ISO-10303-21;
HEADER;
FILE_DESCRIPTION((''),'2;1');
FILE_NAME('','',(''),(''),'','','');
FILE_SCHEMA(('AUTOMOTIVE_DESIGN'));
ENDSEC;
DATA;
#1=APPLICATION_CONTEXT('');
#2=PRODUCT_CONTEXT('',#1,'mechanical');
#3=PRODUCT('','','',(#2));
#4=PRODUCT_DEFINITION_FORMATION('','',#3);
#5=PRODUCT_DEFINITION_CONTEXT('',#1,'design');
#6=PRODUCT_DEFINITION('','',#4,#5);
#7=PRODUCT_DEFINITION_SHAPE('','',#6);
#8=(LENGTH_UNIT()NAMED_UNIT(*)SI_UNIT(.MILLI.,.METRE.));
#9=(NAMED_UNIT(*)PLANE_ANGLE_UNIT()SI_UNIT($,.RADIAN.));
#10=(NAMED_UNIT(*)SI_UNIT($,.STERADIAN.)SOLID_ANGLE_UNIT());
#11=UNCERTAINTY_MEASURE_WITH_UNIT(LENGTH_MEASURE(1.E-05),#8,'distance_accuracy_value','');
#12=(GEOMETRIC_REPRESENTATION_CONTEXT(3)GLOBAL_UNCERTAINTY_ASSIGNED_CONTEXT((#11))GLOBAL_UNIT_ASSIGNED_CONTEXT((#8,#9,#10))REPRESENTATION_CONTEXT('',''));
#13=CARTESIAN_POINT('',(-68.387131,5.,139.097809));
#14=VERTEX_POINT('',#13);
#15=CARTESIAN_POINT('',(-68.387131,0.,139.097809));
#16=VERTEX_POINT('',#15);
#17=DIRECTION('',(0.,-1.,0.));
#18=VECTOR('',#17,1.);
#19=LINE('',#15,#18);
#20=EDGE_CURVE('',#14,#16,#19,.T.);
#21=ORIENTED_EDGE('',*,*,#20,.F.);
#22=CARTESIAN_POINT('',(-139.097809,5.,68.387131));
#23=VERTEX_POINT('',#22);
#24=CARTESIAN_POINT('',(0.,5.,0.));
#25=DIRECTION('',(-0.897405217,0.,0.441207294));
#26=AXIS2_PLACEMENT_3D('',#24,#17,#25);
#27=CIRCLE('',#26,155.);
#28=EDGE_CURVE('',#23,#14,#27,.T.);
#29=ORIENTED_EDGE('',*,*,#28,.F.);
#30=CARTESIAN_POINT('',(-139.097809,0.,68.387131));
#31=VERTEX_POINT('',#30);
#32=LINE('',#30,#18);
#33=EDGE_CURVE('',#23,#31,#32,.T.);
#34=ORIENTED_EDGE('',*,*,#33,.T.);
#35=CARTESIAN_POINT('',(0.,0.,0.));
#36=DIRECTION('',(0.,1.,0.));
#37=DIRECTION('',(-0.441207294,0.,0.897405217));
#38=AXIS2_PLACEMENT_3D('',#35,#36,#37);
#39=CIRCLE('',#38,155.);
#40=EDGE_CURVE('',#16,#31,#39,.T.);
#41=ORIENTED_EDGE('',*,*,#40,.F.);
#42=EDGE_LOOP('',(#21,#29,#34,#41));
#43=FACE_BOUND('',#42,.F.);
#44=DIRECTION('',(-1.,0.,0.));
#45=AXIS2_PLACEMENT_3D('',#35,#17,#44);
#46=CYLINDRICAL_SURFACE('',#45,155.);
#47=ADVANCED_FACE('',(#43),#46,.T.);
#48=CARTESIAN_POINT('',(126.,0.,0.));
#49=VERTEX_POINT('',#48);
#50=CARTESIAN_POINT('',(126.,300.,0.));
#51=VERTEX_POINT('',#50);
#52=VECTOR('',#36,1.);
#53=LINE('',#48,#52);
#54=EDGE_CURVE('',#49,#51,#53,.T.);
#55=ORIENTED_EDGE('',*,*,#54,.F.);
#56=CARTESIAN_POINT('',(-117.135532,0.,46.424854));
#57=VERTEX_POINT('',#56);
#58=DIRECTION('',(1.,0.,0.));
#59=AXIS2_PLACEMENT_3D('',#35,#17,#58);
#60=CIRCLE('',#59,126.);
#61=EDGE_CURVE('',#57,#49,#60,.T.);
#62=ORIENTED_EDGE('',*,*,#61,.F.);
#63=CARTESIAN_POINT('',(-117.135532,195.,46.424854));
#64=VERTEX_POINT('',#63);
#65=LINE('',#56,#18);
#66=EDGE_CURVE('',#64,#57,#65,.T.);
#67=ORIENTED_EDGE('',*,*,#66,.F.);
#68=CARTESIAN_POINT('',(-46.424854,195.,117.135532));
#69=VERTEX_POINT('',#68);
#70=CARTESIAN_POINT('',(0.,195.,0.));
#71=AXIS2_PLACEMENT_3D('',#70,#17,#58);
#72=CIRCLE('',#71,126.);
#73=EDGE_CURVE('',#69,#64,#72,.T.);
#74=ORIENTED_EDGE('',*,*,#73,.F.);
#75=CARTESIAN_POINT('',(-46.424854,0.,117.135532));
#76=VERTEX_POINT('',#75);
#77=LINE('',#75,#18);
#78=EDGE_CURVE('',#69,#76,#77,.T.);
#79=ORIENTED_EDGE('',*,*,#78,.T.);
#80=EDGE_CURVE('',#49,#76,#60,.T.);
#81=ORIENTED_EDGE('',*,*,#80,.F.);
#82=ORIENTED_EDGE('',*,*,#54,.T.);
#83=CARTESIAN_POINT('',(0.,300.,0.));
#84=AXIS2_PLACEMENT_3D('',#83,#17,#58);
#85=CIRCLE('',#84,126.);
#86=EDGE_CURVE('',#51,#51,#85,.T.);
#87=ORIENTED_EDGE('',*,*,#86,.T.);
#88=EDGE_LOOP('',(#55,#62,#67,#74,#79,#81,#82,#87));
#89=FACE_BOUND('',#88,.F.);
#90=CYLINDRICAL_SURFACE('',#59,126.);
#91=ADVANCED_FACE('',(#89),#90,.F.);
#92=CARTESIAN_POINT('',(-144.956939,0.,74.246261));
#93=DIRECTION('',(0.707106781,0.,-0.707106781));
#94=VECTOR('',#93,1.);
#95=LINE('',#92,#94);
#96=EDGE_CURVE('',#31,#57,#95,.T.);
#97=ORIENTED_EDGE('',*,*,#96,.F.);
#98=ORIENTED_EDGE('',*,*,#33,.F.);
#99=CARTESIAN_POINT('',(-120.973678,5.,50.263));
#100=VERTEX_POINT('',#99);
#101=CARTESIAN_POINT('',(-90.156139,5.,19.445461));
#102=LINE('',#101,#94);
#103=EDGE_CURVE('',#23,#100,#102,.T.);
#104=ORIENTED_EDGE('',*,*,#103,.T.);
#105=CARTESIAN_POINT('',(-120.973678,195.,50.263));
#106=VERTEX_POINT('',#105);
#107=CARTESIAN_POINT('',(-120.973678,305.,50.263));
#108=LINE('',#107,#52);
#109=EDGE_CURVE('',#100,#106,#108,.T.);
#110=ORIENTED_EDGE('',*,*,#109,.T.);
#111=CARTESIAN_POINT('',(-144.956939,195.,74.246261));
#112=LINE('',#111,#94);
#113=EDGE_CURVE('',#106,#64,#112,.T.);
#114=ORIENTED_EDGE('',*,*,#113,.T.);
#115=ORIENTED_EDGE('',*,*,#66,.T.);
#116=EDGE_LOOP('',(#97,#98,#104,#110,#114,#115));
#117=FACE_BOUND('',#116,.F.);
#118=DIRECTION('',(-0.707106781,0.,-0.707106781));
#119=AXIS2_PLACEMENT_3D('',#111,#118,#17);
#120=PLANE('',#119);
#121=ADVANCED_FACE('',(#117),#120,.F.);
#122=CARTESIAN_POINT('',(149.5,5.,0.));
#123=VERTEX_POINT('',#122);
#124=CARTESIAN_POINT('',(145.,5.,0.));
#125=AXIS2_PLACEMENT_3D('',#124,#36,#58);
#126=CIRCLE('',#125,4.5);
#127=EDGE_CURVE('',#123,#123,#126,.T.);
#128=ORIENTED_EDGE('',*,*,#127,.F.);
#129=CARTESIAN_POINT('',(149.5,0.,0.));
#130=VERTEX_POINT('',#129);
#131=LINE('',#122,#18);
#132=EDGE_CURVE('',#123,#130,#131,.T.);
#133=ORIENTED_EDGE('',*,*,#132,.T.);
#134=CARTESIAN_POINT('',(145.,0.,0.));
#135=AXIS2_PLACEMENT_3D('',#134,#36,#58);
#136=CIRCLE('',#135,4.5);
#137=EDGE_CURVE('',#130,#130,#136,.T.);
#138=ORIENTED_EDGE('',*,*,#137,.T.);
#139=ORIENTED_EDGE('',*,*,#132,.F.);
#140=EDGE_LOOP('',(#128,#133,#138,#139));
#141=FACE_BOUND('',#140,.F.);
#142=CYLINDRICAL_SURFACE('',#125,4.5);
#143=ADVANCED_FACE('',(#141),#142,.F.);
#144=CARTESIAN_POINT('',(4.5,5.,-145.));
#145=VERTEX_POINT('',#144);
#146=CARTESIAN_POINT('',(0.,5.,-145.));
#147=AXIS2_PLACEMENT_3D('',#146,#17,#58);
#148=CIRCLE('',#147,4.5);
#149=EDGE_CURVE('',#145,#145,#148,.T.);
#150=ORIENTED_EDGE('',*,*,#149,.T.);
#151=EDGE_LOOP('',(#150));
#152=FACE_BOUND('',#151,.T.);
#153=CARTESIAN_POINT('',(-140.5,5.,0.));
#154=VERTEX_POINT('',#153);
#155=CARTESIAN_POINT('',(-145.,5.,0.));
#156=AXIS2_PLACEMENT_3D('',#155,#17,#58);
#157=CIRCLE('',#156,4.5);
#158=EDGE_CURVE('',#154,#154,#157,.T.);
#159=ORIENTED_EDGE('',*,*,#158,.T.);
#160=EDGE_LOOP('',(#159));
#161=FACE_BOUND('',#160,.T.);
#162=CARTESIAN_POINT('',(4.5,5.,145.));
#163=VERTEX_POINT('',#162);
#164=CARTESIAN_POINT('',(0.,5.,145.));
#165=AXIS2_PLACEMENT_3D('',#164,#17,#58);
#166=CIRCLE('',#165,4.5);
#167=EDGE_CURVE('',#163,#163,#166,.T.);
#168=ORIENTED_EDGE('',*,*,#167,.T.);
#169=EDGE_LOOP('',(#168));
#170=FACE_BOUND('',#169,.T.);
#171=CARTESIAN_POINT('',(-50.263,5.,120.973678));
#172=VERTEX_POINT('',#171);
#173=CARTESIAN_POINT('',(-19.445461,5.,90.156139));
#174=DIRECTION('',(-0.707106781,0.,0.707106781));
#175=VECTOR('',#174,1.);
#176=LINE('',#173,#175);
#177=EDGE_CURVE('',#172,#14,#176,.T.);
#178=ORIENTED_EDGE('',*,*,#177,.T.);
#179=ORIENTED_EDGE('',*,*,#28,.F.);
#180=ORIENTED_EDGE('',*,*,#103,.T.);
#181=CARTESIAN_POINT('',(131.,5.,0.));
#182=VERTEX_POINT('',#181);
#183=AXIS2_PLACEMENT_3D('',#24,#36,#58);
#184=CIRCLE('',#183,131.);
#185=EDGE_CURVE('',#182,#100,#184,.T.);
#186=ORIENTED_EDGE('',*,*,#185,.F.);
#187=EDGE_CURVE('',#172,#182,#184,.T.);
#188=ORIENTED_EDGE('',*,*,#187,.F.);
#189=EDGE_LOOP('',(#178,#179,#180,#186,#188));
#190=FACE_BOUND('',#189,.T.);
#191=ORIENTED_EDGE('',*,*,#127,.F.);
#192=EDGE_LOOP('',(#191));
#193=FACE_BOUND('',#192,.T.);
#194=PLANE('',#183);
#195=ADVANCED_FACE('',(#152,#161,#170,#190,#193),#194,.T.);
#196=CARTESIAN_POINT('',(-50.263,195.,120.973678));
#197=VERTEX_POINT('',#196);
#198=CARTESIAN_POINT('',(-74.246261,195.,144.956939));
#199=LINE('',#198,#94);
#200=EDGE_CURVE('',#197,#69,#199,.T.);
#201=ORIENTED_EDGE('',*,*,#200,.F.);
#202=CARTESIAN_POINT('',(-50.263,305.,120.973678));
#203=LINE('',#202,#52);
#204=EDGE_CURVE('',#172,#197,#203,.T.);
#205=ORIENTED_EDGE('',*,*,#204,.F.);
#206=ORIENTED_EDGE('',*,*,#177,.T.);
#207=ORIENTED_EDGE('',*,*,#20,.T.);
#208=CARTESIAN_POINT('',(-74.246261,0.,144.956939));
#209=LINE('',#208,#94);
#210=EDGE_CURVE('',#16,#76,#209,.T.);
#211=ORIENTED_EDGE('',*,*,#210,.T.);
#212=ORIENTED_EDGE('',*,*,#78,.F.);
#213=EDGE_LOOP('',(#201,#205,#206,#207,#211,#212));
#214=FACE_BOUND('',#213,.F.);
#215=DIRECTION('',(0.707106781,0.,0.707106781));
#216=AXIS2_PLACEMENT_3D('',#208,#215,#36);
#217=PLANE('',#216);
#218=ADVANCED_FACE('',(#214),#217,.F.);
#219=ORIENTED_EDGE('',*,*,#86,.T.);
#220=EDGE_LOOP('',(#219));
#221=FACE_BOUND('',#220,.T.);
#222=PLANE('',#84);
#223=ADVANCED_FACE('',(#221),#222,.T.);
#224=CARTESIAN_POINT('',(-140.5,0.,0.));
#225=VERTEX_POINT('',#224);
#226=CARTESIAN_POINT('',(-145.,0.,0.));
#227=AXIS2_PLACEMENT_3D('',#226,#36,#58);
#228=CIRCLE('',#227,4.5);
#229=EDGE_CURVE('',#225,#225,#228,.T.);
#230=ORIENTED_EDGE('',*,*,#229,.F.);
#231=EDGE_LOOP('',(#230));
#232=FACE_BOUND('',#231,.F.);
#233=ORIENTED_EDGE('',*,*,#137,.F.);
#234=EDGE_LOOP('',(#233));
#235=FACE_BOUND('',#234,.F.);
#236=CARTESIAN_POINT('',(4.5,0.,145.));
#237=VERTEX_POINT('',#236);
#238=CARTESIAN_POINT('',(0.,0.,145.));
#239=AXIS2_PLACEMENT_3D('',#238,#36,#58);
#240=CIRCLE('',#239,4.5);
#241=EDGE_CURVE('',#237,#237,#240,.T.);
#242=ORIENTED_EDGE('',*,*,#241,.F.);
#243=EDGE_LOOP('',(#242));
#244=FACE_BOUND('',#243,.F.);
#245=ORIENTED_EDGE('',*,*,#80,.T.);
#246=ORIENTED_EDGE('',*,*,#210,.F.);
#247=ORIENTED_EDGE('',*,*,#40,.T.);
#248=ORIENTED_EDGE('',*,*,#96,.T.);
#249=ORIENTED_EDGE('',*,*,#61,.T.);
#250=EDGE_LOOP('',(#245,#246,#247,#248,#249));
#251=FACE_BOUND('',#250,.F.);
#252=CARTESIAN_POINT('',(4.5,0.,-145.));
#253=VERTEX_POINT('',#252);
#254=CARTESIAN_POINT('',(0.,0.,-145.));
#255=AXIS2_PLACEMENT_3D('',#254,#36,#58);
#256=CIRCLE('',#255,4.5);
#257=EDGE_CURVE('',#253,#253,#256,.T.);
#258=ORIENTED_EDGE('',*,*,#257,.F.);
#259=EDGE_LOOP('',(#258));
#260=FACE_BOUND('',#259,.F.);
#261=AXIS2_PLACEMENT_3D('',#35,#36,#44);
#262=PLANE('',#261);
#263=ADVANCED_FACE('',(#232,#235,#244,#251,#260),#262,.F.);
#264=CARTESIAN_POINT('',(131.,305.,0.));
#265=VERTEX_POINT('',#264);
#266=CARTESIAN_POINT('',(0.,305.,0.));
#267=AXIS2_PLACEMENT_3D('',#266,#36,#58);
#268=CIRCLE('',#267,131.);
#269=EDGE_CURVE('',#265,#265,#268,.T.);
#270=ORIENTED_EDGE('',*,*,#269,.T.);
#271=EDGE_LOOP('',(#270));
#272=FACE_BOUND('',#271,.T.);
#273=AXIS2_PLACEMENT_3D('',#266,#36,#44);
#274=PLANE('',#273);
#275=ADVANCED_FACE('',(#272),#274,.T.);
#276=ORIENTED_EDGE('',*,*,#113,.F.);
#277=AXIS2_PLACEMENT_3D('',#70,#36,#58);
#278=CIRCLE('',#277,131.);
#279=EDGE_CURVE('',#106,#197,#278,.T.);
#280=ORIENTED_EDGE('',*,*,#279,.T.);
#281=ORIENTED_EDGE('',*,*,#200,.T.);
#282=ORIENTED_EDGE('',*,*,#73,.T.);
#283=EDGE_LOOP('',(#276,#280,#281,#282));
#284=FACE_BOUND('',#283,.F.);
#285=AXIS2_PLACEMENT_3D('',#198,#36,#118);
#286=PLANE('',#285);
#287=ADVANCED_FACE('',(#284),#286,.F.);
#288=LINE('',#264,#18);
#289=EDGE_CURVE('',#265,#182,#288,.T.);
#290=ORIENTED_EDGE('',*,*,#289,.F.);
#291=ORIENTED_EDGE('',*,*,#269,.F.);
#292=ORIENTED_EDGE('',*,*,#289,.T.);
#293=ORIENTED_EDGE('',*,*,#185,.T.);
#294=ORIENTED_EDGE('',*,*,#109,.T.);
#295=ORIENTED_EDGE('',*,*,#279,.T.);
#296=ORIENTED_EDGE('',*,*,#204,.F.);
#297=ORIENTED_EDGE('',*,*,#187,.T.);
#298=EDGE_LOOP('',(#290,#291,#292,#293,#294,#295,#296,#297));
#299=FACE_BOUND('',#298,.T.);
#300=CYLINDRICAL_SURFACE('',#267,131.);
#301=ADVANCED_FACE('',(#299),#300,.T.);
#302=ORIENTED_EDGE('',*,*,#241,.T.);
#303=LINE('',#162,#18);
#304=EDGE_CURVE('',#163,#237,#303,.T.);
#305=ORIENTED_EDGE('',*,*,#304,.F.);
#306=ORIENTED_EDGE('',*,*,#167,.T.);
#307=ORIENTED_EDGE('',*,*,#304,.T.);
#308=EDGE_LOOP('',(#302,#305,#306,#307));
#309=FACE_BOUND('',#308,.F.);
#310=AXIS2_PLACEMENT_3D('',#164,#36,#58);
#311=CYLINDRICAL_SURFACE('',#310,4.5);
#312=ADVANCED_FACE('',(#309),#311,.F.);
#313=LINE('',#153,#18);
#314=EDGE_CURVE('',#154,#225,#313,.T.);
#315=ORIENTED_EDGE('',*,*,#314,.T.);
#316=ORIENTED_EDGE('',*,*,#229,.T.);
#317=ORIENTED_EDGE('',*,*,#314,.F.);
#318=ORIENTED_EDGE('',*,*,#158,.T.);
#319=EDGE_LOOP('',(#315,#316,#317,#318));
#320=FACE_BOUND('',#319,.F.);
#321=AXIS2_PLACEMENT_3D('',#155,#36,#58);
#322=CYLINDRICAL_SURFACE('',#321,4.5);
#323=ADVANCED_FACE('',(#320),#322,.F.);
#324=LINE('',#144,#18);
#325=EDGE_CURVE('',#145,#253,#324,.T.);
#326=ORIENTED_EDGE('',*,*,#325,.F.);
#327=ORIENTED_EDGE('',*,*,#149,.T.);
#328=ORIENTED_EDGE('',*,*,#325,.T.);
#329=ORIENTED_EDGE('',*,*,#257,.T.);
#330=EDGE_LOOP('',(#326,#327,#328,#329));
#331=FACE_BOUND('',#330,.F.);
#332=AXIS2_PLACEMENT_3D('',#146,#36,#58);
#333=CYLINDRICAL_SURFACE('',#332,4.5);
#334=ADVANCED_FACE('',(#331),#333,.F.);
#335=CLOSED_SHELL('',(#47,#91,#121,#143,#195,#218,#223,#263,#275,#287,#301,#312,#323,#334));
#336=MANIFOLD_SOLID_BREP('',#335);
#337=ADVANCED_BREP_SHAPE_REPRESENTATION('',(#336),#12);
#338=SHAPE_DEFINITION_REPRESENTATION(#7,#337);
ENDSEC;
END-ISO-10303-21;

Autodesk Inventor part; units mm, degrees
ref_plane "XZ Plane" through (0, 0, 0) normal (0, 1, 0) x (-1, 0, 0)
ref_plane "XY Plane" through (0, 0, 0) normal (0, 0, 1) x (1, 0, 0)
sketch "Sketch1" plane through (0, 0, 0) normal (0, 1, 0) x (-1, 0, 0)
  circle A0 centre (0, 0) radius 155
  dimension "d0" = 310
extrude "Extrusion1" add sketch "Sketch1" along normal blind 305
sketch "Sketch2" plane through (0, 305, 0) normal (0, 1, 0) x (1, 0, 0)
  circle A0 centre (0, 0) radius 131
  circle A1 centre (0, 0) radius 155
  dimension "d3" = 262
  dimension "d4" = 310
extrude "Extrusion2" cut sketch "Sketch2" against normal blind 300
sketch "Sketch3" plane through (0, 0, 0) normal (0, -1, 0) x (1, 0, 0)
  circle A0 centre (0, 0) radius 126
  dimension "d7" = 252
extrude "Extrusion3" cut sketch "Sketch3" against normal blind 300
sketch "Sketch4" plane through (0, 5, 0) normal (0, 1, 0) x (1, 0, 0)
  circle A0 centre (0, 0) radius 155 projected
  line L0 (-155, 0) -> (-145, 0)
  line L1 (-155, 0) -> (-145, 0) construction
  circle A1 centre (-145, 0) radius 4.5
  circle A2 centre (0, -145) radius 4.5
  line L2 (0, -155) -> (0, -145)
  circle A3 centre (145, 0) radius 4.5
  line L3 (155, 0) -> (145, 0)
  circle A4 centre (0, 145) radius 4.5
  line L4 (0, 155) -> (0, 145)
  dimension "d10" = 10
  dimension "d12" = 9
  dimension "d15" = 360
extrude "Extrusion4" cut sketch "Sketch4" against normal through all contours A4 | A1 | A2 | A3
ref_plane "Work Plane2" through (-109.6016, 0, 109.6016) normal (0.7071, 0, -0.7071) x (0, 1, 0)
ref_plane "Work Plane1" through (0, 0, 0) normal (0.7071, 0, -0.7071) x (0, 1, 0)
sketch "Sketch5" plane through (-109.6016, 0, 109.6016) normal (0.7071, 0, -0.7071) x (0, 1, 0)
  line L0 (195, -50) -> (0, -50)
  line L1 (0, -50) -> (0, 50)
  line L2 (0, 50) -> (195, 50)
  line L3 (195, 50) -> (195, -50)
  line L4 (0, 155) -> (0, -155) projected
  point P0 (0, 0)
  dimension "d20" = 195
  dimension "d21" = 100
  dimension "d22" = 0
  dimension "d23" = 50
extrude "Extrusion5" cut sketch "Sketch5" along normal up to surface
properties part number "external_cover"
